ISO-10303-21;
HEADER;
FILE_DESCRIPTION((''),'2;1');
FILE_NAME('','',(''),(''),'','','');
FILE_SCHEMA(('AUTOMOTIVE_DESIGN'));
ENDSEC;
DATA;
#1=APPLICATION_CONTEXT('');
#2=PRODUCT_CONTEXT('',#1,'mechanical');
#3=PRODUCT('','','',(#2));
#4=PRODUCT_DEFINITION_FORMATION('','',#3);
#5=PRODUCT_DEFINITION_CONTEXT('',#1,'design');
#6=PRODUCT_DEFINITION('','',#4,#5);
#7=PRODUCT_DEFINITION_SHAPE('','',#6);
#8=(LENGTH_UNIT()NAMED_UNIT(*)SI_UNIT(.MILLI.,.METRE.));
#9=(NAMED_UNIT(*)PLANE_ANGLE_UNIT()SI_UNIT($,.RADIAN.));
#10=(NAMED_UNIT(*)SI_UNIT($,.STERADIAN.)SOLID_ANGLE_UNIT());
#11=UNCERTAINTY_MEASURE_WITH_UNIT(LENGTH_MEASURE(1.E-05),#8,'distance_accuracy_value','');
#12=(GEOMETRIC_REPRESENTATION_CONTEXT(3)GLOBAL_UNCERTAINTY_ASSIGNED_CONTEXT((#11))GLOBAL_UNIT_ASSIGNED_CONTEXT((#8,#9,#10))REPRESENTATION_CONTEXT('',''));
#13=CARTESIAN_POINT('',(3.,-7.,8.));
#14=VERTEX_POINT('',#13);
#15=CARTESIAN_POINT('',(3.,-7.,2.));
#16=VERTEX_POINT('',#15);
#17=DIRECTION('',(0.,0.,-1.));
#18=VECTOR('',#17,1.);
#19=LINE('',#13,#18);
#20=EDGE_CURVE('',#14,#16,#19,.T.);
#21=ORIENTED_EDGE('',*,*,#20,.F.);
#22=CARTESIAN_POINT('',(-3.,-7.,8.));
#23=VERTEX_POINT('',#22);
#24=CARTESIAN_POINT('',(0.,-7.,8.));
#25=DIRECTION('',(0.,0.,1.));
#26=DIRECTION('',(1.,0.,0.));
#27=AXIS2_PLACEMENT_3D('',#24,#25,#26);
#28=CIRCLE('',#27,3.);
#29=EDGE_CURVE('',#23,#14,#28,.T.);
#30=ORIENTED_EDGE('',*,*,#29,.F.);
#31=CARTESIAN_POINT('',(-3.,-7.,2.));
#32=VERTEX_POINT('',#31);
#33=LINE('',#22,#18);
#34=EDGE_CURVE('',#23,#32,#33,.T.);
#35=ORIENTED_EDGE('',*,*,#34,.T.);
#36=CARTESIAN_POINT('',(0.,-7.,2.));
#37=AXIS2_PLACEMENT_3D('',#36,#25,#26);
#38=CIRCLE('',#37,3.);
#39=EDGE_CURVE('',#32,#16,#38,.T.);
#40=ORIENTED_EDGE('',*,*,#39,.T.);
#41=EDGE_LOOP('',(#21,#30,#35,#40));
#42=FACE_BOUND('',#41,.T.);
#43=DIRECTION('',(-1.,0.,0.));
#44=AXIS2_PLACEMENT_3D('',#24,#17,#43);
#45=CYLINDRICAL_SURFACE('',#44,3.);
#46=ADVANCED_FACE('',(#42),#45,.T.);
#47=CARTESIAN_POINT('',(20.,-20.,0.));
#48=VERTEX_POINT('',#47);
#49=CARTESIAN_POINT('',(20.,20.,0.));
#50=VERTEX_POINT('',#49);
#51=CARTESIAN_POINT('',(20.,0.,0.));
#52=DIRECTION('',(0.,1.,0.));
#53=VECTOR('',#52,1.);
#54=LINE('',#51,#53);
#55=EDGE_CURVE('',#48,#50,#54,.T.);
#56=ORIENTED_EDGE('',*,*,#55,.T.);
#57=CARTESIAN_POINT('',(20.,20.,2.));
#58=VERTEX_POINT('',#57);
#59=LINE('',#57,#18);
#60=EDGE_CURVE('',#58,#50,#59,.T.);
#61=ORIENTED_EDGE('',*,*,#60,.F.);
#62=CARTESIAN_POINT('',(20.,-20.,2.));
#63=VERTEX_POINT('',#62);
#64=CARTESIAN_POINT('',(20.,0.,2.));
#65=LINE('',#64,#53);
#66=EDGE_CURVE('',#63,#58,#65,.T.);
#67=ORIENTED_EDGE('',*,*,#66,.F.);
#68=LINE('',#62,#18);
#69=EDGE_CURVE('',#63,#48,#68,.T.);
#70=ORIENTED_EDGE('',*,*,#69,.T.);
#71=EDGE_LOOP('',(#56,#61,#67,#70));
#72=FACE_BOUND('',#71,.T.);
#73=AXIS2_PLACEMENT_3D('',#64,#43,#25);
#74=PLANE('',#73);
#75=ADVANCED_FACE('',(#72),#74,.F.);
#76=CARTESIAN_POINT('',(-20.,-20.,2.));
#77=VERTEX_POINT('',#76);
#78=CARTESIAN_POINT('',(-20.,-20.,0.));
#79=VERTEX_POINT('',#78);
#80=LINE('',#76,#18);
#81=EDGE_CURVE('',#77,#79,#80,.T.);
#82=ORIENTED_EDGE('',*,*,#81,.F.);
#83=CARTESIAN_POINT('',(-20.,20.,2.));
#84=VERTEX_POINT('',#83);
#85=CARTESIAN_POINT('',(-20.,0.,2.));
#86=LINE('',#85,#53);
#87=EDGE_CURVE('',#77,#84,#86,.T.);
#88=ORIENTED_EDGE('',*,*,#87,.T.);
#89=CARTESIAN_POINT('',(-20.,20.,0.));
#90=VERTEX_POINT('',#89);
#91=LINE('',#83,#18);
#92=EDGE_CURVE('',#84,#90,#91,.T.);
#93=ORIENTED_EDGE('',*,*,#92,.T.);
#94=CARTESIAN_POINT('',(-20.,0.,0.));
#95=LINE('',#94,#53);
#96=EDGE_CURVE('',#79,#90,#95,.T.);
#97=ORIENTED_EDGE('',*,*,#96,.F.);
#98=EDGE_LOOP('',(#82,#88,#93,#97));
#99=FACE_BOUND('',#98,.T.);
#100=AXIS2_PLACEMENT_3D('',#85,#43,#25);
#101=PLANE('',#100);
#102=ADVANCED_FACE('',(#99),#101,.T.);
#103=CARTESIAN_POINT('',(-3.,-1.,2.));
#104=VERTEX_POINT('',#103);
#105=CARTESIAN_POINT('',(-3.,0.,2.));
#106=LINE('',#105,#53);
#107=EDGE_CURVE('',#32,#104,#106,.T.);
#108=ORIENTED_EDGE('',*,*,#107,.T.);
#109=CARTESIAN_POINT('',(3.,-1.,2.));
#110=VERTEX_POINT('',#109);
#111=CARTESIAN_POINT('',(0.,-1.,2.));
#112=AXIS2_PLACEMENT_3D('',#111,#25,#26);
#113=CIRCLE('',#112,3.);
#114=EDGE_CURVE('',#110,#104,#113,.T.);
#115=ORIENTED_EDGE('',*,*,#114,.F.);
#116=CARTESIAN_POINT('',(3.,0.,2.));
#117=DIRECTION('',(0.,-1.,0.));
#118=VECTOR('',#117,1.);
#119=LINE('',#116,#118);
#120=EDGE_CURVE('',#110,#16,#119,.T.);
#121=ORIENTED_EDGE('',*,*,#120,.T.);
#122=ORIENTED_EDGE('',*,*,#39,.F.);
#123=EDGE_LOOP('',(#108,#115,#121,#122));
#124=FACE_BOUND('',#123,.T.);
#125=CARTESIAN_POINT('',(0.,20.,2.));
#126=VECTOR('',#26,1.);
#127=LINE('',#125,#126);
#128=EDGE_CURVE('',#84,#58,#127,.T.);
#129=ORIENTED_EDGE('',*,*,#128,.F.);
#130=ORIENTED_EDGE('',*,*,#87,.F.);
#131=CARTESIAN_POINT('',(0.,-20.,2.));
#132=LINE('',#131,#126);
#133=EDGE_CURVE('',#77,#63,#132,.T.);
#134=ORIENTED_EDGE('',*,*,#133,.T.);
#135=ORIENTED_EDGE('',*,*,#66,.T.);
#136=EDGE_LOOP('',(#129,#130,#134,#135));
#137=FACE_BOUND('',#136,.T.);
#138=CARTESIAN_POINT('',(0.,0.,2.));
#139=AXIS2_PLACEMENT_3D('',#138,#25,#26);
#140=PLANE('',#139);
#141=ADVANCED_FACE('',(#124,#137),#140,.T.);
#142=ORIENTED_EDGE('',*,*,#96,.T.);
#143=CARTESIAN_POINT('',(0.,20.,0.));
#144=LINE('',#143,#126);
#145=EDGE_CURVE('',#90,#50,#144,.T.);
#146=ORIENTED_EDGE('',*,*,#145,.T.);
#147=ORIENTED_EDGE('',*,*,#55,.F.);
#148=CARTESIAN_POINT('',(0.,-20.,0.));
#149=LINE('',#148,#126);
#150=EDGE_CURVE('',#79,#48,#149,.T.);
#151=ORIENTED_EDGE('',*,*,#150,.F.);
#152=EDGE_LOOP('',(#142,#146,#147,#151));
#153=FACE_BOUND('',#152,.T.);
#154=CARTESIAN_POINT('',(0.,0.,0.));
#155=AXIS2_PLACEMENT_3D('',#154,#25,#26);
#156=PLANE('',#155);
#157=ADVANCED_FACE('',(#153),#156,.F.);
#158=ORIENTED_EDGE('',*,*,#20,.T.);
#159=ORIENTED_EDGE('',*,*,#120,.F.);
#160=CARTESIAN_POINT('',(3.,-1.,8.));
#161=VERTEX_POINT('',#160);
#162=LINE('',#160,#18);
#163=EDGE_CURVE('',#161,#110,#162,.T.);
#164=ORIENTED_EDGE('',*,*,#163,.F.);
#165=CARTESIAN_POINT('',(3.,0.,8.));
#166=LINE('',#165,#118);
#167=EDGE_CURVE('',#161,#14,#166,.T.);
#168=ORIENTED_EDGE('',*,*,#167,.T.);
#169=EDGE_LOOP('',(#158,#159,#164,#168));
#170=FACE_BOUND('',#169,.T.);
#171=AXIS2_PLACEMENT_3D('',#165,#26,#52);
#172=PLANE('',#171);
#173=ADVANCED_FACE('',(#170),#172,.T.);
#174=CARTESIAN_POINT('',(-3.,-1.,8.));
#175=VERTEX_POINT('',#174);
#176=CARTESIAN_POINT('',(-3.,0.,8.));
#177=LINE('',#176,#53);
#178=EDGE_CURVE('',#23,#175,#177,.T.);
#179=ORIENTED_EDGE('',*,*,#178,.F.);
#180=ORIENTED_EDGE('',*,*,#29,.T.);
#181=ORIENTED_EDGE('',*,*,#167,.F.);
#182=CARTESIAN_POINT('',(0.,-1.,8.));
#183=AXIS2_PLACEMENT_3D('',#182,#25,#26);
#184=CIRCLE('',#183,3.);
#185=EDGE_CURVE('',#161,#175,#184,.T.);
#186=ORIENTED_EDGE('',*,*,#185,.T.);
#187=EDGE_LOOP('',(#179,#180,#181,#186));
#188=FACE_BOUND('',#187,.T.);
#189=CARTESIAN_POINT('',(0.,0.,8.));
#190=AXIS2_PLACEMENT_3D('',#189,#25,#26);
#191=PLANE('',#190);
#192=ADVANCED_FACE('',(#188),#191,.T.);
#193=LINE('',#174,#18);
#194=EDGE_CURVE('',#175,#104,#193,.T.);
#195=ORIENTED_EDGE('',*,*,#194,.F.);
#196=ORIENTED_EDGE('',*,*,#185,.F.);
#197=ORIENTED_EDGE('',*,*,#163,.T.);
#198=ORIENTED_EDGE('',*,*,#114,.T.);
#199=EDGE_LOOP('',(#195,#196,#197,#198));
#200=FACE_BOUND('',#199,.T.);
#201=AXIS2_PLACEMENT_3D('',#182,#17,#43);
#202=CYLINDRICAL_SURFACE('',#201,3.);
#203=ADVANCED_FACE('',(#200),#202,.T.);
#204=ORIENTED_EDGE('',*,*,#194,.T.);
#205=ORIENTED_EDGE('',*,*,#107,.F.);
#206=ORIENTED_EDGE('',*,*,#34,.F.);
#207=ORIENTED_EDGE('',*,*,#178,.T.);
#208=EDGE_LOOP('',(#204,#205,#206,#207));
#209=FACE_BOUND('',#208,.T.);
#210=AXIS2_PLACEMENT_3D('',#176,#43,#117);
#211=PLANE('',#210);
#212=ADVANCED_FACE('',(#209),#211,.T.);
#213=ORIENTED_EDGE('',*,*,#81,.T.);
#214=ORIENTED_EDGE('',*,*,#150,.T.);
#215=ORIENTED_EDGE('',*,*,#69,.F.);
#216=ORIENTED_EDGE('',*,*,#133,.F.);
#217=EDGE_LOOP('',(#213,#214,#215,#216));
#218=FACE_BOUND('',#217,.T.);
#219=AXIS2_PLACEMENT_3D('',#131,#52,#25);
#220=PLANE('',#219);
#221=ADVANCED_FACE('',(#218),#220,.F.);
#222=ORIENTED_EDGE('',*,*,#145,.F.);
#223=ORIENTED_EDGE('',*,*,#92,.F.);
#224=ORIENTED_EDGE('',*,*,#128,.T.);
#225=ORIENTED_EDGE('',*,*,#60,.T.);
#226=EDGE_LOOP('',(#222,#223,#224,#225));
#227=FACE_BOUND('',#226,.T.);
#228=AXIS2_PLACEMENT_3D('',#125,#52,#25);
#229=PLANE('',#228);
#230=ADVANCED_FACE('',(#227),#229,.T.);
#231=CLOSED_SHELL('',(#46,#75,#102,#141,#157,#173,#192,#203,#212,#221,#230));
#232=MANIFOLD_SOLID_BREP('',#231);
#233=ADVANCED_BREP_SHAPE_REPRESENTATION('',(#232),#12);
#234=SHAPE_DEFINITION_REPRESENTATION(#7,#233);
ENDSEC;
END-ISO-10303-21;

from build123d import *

# Parameters (mm, degrees)
SKETCH_1_W      = 40
SKETCH_1_H      = 40
EXTRUDE_1_DEPTH = 2
EXTRUDE_2_DEPTH = 8


with BuildPart() as part:
    # 스케치1 → 보스-돌출1 (new body)
    with BuildSketch(Plane.XY):
        Rectangle(SKETCH_1_W, SKETCH_1_H)
        with BuildLine():
            ThreePointArc((3, -7), (0, -10), (-3, -7))
            Line((-3, -7), (-3, -1))
            ThreePointArc((-3, -1), (0, 2), (3, -1))
            Line((3, -1), (3, -7))
        make_face(mode=Mode.SUBTRACT)
    extrude(amount=EXTRUDE_1_DEPTH)

    # 스케치1<3> → 보스-돌출2 (add)
    with BuildSketch(Plane.XY):
        with BuildLine():
            ThreePointArc((-3, -7), (0, -10), (3, -7))
            Line((3, -7), (3, -1))
            ThreePointArc((3, -1), (0, 2), (-3, -1))
            Line((-3, -1), (-3, -7))
        make_face()
    extrude(amount=EXTRUDE_2_DEPTH)


solid = part.part
